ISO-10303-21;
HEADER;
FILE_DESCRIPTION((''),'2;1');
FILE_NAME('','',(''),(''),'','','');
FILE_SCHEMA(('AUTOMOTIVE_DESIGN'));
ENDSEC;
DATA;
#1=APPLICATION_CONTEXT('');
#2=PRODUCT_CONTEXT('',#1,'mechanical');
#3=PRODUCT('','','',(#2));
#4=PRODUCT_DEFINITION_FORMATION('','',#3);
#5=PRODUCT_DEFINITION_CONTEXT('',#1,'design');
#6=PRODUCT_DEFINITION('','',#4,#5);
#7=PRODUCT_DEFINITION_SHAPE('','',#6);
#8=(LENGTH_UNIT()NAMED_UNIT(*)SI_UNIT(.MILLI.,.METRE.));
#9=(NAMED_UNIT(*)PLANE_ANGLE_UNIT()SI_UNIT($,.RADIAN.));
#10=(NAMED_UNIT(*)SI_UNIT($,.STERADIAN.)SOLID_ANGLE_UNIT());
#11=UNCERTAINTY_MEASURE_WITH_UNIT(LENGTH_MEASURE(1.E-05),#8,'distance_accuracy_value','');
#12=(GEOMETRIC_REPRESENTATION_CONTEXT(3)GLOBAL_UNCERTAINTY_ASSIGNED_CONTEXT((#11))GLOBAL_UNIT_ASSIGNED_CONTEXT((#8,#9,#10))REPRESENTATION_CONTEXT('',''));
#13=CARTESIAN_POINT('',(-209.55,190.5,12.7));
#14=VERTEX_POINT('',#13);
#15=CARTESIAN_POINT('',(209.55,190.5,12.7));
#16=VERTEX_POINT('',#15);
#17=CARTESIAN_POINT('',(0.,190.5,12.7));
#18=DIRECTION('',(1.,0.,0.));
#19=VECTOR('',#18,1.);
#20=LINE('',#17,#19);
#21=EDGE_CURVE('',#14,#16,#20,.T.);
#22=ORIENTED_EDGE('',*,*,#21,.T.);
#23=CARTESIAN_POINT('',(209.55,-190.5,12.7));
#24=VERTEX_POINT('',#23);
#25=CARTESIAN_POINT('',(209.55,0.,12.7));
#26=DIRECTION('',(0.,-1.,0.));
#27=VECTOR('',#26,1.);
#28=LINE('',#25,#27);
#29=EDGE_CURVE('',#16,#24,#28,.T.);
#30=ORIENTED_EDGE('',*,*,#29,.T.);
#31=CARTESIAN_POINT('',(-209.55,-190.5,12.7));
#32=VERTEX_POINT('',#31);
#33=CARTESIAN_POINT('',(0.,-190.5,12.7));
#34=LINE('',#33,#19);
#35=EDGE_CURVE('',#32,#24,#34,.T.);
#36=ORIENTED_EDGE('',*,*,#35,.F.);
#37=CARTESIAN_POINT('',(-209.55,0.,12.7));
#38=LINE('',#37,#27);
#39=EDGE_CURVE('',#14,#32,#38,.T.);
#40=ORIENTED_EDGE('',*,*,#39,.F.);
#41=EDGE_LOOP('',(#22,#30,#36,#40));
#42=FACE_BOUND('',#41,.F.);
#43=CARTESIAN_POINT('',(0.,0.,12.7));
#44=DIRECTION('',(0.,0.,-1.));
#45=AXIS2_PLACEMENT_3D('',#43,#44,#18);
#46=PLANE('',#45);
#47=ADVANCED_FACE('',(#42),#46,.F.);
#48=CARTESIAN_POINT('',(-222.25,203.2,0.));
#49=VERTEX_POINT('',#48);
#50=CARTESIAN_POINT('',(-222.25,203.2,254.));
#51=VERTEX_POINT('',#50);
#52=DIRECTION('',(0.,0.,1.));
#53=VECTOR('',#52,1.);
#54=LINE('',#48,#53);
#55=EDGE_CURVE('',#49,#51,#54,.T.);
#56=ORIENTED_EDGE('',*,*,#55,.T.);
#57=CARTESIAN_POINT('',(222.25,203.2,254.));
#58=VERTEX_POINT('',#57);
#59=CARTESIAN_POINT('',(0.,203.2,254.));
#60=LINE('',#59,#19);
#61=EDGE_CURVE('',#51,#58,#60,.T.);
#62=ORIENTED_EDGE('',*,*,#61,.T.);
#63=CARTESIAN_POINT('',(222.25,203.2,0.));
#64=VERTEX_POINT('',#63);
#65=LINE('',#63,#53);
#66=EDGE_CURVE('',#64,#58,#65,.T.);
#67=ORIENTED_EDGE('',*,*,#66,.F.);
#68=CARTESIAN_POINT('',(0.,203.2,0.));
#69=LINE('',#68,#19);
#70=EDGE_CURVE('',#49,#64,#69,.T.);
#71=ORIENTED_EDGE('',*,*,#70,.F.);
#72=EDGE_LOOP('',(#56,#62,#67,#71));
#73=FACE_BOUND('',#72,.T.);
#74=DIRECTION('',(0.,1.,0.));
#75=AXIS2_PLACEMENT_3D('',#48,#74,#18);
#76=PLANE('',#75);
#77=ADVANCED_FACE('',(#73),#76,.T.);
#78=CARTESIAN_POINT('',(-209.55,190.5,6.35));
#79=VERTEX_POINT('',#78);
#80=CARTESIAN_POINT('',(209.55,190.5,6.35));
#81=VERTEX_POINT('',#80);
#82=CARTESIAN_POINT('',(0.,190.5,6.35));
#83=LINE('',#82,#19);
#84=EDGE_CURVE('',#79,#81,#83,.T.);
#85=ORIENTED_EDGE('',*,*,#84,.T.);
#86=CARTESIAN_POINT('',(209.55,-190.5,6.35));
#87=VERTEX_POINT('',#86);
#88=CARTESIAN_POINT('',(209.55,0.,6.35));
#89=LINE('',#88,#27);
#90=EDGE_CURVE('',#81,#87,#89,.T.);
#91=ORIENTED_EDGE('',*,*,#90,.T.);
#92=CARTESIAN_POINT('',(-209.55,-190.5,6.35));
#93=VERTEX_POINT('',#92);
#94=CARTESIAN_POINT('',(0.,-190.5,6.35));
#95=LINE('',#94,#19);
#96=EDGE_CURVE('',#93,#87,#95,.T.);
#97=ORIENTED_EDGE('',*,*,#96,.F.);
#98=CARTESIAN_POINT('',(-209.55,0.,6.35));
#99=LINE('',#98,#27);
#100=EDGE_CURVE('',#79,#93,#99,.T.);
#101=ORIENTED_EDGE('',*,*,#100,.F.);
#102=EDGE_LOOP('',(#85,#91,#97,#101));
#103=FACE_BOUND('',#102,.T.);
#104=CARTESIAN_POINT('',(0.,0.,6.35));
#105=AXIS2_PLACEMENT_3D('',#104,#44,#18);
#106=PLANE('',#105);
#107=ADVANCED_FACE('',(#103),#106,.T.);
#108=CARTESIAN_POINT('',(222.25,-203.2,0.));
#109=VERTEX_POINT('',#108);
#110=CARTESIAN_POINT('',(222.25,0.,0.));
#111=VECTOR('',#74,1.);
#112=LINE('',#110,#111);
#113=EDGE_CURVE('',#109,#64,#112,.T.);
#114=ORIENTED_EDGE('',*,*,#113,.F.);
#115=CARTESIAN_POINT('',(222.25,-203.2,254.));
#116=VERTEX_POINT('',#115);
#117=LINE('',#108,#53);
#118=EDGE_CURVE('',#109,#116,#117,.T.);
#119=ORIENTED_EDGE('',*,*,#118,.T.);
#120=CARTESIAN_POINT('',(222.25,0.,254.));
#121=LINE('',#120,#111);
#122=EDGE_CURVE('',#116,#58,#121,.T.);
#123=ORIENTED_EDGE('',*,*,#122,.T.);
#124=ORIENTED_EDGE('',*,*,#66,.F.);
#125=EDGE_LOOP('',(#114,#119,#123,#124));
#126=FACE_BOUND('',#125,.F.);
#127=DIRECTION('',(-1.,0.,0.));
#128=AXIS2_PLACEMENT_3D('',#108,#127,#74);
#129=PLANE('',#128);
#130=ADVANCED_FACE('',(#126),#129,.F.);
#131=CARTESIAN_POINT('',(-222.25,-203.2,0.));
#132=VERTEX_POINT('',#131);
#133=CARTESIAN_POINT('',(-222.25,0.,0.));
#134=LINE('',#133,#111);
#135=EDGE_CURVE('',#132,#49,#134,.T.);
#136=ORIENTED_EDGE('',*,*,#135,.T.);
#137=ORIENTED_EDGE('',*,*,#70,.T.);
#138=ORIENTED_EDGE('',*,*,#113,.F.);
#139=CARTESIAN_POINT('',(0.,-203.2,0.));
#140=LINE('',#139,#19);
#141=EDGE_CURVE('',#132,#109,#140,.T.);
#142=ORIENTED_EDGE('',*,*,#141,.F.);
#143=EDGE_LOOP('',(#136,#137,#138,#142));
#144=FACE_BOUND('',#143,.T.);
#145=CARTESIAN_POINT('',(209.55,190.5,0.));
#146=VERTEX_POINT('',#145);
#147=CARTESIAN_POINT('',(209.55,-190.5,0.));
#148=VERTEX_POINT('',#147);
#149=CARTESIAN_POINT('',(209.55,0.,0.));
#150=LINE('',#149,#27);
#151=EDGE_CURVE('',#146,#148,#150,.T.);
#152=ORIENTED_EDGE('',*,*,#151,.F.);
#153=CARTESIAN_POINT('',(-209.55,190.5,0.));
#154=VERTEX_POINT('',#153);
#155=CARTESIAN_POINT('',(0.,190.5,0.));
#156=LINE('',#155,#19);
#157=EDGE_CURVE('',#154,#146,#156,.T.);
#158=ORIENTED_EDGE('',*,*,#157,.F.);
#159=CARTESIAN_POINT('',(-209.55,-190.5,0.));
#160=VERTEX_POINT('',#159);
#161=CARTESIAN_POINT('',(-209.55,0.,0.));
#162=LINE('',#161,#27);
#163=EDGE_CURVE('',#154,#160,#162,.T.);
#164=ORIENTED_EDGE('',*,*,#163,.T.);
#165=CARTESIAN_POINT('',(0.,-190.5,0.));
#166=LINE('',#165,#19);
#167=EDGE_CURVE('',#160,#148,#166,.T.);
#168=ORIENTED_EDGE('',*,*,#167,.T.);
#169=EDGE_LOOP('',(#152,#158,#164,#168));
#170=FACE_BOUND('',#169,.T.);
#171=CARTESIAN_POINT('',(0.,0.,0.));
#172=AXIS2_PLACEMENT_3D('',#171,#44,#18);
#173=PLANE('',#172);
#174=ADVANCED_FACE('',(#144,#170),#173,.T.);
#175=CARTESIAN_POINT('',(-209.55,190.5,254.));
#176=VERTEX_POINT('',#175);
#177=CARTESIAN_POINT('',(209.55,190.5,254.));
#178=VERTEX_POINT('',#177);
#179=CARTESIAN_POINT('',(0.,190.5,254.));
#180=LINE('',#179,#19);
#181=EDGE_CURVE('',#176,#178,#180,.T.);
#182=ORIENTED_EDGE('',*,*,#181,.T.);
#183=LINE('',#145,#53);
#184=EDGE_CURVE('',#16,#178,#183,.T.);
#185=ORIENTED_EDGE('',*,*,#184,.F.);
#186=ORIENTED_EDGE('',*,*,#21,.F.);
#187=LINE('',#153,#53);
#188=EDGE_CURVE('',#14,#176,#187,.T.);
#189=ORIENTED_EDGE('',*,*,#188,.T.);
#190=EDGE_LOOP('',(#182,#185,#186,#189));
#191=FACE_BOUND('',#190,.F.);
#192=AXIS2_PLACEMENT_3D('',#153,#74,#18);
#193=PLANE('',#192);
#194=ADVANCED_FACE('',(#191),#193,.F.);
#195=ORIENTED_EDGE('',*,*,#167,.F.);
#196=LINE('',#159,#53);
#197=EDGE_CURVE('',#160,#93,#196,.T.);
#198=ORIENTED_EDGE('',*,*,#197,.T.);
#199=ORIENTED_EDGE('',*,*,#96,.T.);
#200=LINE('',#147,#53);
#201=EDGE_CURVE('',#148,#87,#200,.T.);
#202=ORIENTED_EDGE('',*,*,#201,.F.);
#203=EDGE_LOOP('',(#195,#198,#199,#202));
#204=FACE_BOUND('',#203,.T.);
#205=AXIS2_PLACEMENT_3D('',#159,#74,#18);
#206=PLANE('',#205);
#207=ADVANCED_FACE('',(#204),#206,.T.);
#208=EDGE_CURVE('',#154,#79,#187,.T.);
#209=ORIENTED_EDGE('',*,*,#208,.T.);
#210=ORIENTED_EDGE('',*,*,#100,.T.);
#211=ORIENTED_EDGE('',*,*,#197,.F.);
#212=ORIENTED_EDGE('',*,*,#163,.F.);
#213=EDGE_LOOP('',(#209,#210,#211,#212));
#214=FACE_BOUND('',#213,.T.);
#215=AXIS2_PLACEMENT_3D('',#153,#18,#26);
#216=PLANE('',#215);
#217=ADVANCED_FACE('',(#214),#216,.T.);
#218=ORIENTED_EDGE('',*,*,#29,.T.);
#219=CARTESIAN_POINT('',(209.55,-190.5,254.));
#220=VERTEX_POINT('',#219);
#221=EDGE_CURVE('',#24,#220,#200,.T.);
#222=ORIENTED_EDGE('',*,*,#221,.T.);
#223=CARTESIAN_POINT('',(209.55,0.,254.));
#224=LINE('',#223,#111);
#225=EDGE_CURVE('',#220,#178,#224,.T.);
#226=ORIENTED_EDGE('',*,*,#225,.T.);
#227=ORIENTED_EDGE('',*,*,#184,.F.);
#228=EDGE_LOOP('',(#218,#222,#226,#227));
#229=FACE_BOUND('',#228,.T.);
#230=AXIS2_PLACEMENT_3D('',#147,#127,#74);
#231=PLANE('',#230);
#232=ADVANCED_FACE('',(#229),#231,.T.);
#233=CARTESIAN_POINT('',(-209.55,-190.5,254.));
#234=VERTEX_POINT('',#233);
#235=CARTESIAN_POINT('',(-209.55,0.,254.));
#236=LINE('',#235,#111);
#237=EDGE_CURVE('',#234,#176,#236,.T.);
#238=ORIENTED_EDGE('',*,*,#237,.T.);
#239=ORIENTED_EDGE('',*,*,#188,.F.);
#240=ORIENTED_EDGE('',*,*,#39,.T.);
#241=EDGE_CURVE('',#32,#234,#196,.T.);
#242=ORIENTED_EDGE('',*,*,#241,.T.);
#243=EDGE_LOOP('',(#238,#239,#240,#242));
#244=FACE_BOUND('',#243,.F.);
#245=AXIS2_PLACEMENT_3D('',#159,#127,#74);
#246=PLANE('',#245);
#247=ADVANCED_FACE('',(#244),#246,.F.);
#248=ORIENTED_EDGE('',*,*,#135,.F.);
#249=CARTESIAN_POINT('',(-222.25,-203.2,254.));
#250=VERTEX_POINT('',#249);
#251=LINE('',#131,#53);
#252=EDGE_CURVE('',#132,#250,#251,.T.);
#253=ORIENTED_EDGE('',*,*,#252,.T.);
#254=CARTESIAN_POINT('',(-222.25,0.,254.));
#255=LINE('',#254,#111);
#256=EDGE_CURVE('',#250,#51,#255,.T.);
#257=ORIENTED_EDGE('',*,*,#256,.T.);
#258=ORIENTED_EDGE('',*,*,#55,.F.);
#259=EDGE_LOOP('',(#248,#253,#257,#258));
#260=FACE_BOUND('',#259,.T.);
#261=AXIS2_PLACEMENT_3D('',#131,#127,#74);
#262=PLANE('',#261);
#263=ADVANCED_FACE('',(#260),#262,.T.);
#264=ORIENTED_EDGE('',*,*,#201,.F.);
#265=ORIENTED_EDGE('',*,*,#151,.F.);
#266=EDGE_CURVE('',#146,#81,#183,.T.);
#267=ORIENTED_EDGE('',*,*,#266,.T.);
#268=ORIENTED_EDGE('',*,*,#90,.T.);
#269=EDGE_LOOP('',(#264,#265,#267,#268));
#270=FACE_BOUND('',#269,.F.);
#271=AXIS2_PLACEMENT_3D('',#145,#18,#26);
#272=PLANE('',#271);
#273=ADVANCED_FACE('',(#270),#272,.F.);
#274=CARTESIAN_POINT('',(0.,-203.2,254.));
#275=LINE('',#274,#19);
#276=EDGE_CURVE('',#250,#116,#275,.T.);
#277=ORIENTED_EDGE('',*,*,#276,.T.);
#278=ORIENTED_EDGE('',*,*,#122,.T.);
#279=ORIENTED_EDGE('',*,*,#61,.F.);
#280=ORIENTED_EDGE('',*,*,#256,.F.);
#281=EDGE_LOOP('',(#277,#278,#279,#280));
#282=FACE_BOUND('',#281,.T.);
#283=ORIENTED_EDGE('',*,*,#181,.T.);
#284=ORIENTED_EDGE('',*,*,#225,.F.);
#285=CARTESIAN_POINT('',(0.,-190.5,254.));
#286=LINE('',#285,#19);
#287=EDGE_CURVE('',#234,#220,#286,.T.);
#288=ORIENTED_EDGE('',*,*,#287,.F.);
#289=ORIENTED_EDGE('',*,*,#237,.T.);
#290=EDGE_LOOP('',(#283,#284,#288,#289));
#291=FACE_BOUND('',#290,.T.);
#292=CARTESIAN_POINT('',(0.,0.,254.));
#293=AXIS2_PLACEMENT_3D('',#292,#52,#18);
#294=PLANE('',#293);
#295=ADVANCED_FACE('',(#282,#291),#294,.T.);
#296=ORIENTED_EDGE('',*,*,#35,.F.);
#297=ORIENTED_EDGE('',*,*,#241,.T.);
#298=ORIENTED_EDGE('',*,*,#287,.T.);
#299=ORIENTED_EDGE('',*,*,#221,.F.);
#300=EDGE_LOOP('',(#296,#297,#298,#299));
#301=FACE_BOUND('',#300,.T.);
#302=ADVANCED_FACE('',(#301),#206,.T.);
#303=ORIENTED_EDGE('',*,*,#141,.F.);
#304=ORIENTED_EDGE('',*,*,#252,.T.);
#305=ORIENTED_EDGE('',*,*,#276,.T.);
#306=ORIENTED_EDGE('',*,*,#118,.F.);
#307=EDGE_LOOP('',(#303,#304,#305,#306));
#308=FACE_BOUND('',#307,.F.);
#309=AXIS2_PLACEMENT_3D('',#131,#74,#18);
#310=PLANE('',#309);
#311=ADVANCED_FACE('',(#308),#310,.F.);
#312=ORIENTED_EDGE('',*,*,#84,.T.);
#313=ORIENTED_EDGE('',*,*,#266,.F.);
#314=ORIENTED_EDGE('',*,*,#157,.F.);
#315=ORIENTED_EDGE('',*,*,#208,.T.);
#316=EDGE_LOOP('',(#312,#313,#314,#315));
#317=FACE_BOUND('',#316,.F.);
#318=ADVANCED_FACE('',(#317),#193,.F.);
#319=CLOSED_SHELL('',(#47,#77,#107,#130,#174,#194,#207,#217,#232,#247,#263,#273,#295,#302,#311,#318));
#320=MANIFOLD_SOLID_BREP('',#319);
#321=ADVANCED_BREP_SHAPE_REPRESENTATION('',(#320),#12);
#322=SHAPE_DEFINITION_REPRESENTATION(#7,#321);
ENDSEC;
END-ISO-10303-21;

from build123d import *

# Parameters (mm, degrees)
F0_W     = 444.5
F0_H     = 406.4
F0_W_2   = 419.1
F0_H_2   = 381
F1_DEPTH = 254
F2_W     = 419.1
F2_H     = 381
F3_DEPTH = 12.7
F4_W     = 419.1
F4_H     = 381
F5_DEPTH = 6.35


with BuildPart() as f1:
    # F0 (on Top) → F1 (new body)
    with BuildSketch(Plane.XY):
        Rectangle(F0_W, F0_H)
        Rectangle(F0_W_2, F0_H_2, mode=Mode.SUBTRACT)
    extrude(amount=F1_DEPTH)

    # F2 (on face) → F3 (join)
    with BuildSketch(Plane(origin=(0, 0, 0), x_dir=(1, 0, 0), z_dir=(0, 0, -1))):
        Rectangle(F2_W, F2_H)
    extrude(amount=-F3_DEPTH)

    # F4 (on face) → F5 (cut)
    with BuildSketch(Plane(origin=(0, 0, 0), x_dir=(1, 0, 0), z_dir=(0, 0, -1))):
        Rectangle(F4_W, F4_H)
    extrude(amount=-F5_DEPTH, mode=Mode.SUBTRACT)


solid = f1.part
